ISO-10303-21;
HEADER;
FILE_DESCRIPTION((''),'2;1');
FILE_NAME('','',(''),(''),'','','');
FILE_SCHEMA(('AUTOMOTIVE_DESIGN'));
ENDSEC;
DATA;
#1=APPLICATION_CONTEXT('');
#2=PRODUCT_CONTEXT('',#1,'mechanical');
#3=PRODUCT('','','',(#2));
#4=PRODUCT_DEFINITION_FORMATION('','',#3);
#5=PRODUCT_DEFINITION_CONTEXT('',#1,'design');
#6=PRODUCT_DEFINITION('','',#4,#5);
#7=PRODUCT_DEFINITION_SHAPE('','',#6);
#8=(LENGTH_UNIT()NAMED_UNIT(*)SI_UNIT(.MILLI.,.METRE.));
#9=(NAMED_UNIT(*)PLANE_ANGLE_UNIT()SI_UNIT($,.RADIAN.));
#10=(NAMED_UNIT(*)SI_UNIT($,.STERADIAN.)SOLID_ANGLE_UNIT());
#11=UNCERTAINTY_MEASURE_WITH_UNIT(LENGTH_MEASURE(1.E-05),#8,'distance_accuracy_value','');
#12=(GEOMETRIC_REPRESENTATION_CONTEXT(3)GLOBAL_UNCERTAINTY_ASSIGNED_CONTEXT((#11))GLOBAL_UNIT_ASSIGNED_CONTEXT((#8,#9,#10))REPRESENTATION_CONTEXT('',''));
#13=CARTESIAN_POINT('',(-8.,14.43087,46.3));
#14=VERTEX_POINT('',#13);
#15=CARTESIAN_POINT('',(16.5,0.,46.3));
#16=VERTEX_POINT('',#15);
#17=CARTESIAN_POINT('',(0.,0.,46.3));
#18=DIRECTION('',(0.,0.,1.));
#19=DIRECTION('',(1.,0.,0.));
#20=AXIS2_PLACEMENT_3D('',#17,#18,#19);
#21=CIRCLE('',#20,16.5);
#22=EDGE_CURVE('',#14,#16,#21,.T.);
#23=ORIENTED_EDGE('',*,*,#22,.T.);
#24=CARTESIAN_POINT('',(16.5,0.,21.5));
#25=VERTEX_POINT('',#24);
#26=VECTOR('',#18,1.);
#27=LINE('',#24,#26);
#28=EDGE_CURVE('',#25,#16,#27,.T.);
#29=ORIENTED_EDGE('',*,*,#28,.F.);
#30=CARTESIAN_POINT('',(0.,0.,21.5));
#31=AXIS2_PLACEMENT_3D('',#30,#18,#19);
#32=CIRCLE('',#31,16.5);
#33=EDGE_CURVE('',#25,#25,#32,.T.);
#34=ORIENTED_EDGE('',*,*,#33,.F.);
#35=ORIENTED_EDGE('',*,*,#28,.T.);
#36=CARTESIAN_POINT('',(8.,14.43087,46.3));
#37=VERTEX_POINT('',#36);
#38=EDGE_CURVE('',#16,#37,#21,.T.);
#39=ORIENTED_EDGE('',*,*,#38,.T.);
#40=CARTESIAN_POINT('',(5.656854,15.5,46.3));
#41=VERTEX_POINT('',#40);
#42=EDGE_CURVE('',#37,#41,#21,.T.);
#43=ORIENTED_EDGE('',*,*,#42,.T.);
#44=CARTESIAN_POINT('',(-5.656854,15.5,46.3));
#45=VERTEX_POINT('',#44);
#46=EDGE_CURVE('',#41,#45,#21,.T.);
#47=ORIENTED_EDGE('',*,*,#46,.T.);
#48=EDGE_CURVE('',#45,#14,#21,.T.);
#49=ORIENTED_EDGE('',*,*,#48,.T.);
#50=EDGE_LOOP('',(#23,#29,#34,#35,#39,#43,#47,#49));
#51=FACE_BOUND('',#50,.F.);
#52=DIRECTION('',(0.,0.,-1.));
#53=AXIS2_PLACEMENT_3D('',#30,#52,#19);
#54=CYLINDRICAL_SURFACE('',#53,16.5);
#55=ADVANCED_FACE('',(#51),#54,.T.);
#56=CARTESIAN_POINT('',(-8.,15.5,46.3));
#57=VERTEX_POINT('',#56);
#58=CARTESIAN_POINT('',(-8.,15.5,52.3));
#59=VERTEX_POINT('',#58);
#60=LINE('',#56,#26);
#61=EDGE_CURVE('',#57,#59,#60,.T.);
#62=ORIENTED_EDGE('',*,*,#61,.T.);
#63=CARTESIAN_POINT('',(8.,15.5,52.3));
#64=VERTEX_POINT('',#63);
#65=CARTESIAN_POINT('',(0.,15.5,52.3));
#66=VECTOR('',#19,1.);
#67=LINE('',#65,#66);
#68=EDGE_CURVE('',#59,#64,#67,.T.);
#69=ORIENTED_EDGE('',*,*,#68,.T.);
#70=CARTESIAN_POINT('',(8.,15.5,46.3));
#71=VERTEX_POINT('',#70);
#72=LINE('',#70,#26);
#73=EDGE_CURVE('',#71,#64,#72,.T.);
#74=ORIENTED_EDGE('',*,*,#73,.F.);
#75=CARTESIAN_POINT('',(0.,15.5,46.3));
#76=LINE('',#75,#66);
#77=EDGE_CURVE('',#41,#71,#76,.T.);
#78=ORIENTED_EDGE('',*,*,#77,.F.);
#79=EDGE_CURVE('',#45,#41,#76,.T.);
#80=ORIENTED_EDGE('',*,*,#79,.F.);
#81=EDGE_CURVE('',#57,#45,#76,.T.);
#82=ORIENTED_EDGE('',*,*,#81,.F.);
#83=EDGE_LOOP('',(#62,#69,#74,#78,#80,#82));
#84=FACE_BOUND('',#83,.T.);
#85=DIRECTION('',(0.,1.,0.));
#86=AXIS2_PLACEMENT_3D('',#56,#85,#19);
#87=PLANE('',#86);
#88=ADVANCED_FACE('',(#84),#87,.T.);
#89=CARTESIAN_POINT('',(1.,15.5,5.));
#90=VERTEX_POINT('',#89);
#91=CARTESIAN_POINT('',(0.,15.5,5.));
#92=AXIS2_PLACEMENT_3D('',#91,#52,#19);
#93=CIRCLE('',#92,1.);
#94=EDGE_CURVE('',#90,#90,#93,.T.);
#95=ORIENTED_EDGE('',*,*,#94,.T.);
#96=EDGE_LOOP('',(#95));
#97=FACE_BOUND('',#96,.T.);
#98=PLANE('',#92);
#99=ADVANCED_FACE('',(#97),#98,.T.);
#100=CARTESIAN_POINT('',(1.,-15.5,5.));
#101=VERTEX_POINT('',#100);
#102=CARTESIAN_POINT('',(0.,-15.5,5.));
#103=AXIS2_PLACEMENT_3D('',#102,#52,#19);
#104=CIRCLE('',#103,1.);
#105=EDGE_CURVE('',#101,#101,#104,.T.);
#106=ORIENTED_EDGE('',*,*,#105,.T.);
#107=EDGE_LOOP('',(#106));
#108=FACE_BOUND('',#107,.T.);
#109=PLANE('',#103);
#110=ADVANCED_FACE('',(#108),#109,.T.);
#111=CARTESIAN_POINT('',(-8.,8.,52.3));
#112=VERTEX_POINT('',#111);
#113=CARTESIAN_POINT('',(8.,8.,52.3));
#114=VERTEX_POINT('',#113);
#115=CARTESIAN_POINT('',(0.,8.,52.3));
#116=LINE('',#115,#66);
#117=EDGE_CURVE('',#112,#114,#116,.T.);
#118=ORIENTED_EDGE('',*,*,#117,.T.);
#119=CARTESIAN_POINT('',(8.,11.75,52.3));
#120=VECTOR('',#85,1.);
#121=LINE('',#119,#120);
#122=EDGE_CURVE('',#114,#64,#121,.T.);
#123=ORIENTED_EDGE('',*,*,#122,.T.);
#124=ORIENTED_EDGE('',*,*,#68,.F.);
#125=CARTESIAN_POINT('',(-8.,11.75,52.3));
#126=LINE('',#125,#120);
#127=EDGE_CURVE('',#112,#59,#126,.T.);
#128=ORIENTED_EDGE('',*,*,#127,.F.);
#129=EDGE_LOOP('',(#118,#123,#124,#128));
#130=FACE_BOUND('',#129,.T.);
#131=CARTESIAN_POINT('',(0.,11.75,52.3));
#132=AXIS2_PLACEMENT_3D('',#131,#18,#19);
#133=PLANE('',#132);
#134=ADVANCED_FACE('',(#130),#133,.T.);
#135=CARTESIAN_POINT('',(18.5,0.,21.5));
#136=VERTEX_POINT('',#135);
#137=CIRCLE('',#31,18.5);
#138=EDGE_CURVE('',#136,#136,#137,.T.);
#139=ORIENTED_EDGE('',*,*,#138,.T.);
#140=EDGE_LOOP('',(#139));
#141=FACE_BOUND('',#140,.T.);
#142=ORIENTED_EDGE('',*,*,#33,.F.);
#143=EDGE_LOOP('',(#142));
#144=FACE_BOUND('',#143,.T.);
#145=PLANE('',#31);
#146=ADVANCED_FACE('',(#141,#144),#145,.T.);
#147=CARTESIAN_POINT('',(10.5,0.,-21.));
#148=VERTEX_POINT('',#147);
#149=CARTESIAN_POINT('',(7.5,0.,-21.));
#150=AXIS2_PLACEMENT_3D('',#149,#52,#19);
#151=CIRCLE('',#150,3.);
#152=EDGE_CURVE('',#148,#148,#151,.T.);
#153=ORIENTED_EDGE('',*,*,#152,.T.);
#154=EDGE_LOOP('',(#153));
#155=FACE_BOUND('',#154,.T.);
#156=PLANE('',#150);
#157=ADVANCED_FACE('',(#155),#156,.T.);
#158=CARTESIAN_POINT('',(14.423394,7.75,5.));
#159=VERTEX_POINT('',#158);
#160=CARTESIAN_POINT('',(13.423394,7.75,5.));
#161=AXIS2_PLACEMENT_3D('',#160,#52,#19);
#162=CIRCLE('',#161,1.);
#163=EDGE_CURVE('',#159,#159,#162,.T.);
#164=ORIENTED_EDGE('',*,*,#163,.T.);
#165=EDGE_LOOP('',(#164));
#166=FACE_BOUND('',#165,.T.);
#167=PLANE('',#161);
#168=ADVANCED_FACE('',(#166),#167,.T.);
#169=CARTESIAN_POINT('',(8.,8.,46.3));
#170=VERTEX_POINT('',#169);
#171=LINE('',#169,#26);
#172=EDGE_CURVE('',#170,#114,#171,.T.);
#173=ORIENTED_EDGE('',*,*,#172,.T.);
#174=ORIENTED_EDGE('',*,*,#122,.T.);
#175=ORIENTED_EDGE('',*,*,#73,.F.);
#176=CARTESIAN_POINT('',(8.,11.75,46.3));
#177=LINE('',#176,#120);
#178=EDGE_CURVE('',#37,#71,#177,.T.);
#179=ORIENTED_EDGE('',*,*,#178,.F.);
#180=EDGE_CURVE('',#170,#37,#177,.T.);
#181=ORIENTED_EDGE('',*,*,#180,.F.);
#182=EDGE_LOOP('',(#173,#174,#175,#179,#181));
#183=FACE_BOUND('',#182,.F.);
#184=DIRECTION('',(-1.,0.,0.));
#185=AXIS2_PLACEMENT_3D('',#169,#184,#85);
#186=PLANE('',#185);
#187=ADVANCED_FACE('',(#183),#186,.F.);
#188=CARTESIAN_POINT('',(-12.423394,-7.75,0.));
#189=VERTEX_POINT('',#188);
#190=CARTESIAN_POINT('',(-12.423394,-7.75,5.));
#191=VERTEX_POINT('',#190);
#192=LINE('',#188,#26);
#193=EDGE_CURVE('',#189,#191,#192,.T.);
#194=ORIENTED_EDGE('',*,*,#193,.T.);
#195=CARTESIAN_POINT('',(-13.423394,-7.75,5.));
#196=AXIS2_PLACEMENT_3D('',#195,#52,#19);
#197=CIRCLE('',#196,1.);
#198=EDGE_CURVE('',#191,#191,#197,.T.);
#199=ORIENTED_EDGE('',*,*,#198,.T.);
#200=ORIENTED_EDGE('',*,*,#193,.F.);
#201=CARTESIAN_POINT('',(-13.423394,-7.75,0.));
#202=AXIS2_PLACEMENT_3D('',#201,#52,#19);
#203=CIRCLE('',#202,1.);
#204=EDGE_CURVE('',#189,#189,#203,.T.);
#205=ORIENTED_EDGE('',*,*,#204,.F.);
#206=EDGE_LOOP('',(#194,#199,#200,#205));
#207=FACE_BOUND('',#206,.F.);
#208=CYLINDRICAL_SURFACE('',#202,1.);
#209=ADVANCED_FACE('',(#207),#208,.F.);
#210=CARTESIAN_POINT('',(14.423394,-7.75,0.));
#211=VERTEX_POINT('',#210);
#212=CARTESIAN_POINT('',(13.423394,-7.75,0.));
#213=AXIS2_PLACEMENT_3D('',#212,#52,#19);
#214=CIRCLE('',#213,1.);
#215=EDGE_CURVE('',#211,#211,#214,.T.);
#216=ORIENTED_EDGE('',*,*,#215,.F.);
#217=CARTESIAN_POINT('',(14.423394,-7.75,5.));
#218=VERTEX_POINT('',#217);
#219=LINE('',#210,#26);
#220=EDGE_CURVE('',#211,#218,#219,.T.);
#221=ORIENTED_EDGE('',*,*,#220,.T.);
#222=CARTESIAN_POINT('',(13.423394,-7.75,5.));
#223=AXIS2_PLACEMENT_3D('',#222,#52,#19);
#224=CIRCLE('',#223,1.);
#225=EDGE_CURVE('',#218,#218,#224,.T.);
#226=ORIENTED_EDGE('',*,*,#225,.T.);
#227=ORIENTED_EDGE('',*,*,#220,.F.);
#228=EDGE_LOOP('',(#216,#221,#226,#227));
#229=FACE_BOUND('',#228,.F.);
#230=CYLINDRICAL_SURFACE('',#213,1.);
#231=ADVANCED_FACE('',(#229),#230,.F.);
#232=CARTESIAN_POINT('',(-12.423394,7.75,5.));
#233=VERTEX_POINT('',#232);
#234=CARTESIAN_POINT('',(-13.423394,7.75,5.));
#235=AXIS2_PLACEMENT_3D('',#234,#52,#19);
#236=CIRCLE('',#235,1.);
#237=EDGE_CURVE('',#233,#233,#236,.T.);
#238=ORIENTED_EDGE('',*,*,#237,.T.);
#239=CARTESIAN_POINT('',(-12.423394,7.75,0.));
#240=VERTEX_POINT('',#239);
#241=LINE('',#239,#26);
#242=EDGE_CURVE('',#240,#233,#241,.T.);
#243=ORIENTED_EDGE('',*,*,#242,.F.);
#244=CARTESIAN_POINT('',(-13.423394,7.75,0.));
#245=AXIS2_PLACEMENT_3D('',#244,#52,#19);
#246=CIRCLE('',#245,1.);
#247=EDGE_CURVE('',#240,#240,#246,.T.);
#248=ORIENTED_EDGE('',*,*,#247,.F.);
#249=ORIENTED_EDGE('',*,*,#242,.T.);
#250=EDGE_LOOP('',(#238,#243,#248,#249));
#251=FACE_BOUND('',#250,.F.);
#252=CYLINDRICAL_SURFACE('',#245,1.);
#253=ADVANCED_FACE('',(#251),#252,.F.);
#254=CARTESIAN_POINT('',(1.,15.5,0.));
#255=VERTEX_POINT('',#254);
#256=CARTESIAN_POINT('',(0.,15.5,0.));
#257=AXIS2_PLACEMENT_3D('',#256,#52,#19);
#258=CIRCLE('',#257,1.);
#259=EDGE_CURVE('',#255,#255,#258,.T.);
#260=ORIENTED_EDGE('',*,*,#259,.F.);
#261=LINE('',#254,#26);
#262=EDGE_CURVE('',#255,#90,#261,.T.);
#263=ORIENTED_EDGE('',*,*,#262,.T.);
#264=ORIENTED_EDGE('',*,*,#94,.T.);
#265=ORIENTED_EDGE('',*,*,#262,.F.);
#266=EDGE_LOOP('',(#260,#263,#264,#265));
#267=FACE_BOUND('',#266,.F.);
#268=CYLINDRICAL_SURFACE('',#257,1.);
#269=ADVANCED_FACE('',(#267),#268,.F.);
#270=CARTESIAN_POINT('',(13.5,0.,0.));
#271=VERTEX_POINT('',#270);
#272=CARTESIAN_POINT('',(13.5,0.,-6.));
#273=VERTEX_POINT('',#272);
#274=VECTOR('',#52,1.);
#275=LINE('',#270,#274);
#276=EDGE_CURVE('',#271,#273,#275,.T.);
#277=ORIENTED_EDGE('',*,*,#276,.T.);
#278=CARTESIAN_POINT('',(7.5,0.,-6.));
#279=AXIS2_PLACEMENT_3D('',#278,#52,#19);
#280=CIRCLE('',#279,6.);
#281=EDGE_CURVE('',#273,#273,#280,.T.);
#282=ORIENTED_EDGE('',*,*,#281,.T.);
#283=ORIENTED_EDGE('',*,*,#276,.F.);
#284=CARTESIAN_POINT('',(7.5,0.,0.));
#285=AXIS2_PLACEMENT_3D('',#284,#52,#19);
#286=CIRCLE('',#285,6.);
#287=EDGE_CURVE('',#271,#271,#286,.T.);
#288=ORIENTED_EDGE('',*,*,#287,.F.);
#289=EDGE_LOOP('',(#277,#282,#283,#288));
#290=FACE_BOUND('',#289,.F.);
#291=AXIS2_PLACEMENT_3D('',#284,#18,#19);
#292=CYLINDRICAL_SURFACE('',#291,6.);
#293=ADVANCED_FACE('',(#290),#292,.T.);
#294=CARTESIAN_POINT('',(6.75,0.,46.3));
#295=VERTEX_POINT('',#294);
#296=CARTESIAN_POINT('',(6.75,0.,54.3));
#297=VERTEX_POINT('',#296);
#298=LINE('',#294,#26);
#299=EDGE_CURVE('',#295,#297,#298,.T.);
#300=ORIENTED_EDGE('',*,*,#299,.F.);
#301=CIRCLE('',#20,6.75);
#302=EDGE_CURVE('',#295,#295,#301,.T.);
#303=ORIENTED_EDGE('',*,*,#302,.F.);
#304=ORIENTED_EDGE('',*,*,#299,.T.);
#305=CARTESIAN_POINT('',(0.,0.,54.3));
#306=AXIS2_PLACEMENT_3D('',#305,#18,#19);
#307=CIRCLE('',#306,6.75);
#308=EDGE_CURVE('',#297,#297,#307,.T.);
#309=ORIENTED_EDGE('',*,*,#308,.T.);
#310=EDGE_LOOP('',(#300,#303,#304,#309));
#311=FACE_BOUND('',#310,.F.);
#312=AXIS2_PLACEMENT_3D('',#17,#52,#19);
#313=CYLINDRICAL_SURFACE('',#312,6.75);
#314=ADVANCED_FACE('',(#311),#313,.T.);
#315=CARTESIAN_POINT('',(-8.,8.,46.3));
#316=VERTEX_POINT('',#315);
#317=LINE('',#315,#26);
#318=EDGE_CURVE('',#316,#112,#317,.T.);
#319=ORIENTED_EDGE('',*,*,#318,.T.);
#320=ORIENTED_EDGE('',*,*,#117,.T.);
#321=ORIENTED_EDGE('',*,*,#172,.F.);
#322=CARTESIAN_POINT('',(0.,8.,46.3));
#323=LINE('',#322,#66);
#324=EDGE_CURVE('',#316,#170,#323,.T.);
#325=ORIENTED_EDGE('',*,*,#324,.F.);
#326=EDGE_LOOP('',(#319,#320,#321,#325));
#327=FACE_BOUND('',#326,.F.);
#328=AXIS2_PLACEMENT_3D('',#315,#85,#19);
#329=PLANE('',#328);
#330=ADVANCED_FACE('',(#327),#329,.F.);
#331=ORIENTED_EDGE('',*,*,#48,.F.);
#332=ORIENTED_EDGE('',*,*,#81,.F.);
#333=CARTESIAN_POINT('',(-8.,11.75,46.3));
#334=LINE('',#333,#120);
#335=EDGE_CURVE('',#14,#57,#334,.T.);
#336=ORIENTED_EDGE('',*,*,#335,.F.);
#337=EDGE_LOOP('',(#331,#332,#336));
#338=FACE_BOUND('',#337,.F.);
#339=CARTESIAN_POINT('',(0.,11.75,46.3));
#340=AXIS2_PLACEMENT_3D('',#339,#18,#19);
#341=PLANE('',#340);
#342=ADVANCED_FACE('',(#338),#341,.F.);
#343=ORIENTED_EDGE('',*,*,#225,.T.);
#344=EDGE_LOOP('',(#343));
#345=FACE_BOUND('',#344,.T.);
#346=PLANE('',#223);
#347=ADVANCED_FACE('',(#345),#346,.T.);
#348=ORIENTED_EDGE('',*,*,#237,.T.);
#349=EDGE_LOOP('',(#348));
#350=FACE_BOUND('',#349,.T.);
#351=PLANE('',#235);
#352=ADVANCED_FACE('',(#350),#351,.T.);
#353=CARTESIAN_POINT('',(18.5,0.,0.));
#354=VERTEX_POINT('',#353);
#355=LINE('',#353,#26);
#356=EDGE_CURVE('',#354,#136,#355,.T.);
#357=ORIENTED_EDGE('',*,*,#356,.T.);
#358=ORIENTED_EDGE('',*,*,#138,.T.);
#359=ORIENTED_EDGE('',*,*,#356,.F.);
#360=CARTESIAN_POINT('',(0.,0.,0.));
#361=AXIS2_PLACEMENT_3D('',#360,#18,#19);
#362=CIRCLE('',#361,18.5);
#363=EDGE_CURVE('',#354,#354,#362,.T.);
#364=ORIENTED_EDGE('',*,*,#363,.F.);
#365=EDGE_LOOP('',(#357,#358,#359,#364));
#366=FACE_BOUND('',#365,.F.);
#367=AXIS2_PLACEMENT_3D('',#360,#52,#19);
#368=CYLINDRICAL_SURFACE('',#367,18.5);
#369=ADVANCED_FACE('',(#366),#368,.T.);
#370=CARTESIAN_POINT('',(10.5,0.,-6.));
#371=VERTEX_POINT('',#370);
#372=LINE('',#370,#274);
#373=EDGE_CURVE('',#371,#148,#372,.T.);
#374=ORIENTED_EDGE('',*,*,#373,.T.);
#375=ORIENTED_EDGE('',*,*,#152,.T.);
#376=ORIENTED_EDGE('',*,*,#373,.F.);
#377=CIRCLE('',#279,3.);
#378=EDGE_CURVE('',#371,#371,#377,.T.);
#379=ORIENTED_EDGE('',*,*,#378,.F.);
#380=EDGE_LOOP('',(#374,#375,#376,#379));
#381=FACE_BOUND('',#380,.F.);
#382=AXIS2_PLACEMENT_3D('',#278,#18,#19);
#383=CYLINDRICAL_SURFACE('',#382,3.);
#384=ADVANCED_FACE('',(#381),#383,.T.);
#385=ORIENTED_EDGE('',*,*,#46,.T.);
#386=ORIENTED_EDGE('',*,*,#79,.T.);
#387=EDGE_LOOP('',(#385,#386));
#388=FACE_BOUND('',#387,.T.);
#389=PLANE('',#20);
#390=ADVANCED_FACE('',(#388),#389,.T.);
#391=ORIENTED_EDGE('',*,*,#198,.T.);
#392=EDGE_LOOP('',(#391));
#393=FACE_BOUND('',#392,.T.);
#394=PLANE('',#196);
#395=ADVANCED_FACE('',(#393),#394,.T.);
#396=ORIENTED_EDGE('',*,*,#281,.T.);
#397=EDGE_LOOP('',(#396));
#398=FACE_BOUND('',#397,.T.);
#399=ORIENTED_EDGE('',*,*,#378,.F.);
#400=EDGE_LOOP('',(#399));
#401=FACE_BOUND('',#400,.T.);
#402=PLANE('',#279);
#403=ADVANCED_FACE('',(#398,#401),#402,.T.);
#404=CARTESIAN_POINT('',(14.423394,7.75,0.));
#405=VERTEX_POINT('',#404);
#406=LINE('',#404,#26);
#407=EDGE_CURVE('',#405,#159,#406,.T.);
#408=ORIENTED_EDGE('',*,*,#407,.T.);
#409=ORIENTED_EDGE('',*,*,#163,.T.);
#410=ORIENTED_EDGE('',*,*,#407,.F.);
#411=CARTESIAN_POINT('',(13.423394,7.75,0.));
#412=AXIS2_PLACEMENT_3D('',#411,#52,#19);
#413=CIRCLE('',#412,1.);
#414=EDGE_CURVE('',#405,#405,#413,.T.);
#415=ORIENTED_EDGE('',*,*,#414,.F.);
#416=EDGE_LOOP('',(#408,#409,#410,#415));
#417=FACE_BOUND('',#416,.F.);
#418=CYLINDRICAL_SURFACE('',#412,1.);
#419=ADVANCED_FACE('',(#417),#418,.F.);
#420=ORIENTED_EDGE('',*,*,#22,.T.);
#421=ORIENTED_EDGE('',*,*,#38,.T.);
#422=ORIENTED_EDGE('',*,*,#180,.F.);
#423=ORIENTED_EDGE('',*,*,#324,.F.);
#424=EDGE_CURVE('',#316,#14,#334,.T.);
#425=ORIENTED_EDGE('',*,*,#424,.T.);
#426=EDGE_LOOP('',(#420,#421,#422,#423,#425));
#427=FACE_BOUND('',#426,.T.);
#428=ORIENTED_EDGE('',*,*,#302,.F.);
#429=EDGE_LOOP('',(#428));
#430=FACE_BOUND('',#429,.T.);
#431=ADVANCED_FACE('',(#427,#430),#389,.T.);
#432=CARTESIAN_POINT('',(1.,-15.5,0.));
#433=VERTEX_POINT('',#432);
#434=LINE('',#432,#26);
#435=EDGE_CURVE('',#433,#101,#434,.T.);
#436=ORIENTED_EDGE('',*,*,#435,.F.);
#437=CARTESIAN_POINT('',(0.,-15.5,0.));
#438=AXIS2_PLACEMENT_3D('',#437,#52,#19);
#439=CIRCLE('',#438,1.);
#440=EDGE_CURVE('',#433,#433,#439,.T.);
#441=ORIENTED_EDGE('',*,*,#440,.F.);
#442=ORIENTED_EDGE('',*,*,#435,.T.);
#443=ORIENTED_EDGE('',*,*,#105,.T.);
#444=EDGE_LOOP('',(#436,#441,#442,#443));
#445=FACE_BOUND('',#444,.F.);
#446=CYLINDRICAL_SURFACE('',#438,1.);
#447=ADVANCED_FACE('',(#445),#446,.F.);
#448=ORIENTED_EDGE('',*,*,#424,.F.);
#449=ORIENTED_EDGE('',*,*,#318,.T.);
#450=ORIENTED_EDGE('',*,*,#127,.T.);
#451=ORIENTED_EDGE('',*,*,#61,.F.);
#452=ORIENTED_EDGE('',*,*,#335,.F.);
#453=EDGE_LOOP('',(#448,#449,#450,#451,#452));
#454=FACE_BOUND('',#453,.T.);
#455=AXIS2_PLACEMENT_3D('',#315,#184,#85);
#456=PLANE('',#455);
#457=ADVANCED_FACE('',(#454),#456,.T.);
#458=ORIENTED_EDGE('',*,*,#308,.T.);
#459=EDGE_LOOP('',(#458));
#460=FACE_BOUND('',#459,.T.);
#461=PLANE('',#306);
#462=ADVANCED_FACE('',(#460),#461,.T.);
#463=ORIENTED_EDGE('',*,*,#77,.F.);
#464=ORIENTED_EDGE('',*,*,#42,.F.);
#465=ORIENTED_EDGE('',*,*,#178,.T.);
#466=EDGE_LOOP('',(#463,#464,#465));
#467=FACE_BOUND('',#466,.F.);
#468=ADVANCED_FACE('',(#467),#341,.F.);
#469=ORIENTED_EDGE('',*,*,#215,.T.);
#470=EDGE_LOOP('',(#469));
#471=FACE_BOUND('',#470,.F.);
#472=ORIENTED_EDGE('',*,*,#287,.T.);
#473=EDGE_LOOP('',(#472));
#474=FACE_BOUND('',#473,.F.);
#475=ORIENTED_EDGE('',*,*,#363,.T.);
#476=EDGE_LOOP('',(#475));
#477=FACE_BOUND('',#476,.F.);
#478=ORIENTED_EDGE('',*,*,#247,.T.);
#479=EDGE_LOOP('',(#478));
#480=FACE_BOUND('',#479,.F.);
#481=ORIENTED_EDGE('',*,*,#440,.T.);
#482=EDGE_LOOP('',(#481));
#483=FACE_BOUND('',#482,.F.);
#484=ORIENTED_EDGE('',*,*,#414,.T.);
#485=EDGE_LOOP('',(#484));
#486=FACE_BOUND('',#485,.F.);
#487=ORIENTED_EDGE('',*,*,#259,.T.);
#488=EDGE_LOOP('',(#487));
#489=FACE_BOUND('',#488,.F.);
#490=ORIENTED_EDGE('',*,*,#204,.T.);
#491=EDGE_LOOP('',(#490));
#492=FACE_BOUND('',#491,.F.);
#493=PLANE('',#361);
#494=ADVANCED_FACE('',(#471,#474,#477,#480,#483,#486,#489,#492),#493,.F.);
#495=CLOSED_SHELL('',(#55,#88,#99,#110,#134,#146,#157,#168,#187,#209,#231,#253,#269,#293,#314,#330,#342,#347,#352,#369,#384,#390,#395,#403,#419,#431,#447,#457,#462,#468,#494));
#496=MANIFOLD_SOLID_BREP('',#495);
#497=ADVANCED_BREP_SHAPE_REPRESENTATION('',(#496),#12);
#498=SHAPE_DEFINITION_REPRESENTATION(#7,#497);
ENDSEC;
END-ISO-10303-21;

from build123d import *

# Parameters (mm, degrees)
SKETCH_R     = 18.5
PAD_DEPTH    = 21.5
SKETCH001_R  = 6
PAD001_DEPTH = 6
SKETCH002_R  = 3
PAD002_DEPTH = 15
SKETCH003_R  = 1
POCKET_DEPTH = 5
SKETCH004_R  = 16.5
PAD003_DEPTH = 24.8
SKETCH005_W  = 16
SKETCH005_H  = 7.5
PAD004_DEPTH = 6
SKETCH006_R  = 6.75
PAD005_DEPTH = 8


with BuildPart() as part:
    # Sketch → Pad (new body)
    with BuildSketch(Plane.XY):
        Circle(SKETCH_R)
    extrude(amount=PAD_DEPTH)

    # Sketch001 (on Face2 of Pad) → Pad001 (join)
    with BuildSketch(Plane(origin=(0, 0, 0), x_dir=(1, 0, 0), z_dir=(0, 0, -1))):
        with Locations((7.5, 0)):
            Circle(SKETCH001_R)
    extrude(amount=PAD001_DEPTH)

    # Sketch002 (on Face5 of Pad001) → Pad002 (join)
    with BuildSketch(Plane(origin=(0, 0, -6), x_dir=(1, 0, 0), z_dir=(0, 0, -1))):
        with Locations((7.5, 0)):
            Circle(SKETCH002_R)
    extrude(amount=PAD002_DEPTH)

    # Sketch003 (on Face2 of Pad002) → Pocket (cut)
    with BuildSketch(Plane(origin=(0, 0, 0), x_dir=(1, 0, 0), z_dir=(0, 0, -1))):
        with Locations((0, 15.5)):
            Circle(SKETCH003_R)
        with Locations((13.423394, 7.75)):
            Circle(SKETCH003_R)
        with Locations((13.423394, -7.75)):
            Circle(SKETCH003_R)
        with Locations((0, -15.5)):
            Circle(SKETCH003_R)
        with Locations((-13.423394, -7.75)):
            Circle(SKETCH003_R)
        with Locations((-13.423394, 7.75)):
            Circle(SKETCH003_R)
    extrude(amount=-POCKET_DEPTH, mode=Mode.SUBTRACT)

    # Sketch004 (on Face3 of Pocket) → Pad003 (join)
    with BuildSketch(Plane.XY.offset(21.5)):
        Circle(SKETCH004_R)
    extrude(amount=PAD003_DEPTH)

    # Sketch005 (on Face19 of Pad003) → Pad004 (join)
    with BuildSketch(Plane.XY.offset(46.3)):
        with Locations((0, 11.75)):
            Rectangle(SKETCH005_W, SKETCH005_H)
    extrude(amount=PAD004_DEPTH)

    # Sketch006 (on Face19 of Pad004) → Pad005 (join)
    with BuildSketch(Plane.XY.offset(46.3)):
        Circle(SKETCH006_R)
    extrude(amount=PAD005_DEPTH)


solid = part.part
